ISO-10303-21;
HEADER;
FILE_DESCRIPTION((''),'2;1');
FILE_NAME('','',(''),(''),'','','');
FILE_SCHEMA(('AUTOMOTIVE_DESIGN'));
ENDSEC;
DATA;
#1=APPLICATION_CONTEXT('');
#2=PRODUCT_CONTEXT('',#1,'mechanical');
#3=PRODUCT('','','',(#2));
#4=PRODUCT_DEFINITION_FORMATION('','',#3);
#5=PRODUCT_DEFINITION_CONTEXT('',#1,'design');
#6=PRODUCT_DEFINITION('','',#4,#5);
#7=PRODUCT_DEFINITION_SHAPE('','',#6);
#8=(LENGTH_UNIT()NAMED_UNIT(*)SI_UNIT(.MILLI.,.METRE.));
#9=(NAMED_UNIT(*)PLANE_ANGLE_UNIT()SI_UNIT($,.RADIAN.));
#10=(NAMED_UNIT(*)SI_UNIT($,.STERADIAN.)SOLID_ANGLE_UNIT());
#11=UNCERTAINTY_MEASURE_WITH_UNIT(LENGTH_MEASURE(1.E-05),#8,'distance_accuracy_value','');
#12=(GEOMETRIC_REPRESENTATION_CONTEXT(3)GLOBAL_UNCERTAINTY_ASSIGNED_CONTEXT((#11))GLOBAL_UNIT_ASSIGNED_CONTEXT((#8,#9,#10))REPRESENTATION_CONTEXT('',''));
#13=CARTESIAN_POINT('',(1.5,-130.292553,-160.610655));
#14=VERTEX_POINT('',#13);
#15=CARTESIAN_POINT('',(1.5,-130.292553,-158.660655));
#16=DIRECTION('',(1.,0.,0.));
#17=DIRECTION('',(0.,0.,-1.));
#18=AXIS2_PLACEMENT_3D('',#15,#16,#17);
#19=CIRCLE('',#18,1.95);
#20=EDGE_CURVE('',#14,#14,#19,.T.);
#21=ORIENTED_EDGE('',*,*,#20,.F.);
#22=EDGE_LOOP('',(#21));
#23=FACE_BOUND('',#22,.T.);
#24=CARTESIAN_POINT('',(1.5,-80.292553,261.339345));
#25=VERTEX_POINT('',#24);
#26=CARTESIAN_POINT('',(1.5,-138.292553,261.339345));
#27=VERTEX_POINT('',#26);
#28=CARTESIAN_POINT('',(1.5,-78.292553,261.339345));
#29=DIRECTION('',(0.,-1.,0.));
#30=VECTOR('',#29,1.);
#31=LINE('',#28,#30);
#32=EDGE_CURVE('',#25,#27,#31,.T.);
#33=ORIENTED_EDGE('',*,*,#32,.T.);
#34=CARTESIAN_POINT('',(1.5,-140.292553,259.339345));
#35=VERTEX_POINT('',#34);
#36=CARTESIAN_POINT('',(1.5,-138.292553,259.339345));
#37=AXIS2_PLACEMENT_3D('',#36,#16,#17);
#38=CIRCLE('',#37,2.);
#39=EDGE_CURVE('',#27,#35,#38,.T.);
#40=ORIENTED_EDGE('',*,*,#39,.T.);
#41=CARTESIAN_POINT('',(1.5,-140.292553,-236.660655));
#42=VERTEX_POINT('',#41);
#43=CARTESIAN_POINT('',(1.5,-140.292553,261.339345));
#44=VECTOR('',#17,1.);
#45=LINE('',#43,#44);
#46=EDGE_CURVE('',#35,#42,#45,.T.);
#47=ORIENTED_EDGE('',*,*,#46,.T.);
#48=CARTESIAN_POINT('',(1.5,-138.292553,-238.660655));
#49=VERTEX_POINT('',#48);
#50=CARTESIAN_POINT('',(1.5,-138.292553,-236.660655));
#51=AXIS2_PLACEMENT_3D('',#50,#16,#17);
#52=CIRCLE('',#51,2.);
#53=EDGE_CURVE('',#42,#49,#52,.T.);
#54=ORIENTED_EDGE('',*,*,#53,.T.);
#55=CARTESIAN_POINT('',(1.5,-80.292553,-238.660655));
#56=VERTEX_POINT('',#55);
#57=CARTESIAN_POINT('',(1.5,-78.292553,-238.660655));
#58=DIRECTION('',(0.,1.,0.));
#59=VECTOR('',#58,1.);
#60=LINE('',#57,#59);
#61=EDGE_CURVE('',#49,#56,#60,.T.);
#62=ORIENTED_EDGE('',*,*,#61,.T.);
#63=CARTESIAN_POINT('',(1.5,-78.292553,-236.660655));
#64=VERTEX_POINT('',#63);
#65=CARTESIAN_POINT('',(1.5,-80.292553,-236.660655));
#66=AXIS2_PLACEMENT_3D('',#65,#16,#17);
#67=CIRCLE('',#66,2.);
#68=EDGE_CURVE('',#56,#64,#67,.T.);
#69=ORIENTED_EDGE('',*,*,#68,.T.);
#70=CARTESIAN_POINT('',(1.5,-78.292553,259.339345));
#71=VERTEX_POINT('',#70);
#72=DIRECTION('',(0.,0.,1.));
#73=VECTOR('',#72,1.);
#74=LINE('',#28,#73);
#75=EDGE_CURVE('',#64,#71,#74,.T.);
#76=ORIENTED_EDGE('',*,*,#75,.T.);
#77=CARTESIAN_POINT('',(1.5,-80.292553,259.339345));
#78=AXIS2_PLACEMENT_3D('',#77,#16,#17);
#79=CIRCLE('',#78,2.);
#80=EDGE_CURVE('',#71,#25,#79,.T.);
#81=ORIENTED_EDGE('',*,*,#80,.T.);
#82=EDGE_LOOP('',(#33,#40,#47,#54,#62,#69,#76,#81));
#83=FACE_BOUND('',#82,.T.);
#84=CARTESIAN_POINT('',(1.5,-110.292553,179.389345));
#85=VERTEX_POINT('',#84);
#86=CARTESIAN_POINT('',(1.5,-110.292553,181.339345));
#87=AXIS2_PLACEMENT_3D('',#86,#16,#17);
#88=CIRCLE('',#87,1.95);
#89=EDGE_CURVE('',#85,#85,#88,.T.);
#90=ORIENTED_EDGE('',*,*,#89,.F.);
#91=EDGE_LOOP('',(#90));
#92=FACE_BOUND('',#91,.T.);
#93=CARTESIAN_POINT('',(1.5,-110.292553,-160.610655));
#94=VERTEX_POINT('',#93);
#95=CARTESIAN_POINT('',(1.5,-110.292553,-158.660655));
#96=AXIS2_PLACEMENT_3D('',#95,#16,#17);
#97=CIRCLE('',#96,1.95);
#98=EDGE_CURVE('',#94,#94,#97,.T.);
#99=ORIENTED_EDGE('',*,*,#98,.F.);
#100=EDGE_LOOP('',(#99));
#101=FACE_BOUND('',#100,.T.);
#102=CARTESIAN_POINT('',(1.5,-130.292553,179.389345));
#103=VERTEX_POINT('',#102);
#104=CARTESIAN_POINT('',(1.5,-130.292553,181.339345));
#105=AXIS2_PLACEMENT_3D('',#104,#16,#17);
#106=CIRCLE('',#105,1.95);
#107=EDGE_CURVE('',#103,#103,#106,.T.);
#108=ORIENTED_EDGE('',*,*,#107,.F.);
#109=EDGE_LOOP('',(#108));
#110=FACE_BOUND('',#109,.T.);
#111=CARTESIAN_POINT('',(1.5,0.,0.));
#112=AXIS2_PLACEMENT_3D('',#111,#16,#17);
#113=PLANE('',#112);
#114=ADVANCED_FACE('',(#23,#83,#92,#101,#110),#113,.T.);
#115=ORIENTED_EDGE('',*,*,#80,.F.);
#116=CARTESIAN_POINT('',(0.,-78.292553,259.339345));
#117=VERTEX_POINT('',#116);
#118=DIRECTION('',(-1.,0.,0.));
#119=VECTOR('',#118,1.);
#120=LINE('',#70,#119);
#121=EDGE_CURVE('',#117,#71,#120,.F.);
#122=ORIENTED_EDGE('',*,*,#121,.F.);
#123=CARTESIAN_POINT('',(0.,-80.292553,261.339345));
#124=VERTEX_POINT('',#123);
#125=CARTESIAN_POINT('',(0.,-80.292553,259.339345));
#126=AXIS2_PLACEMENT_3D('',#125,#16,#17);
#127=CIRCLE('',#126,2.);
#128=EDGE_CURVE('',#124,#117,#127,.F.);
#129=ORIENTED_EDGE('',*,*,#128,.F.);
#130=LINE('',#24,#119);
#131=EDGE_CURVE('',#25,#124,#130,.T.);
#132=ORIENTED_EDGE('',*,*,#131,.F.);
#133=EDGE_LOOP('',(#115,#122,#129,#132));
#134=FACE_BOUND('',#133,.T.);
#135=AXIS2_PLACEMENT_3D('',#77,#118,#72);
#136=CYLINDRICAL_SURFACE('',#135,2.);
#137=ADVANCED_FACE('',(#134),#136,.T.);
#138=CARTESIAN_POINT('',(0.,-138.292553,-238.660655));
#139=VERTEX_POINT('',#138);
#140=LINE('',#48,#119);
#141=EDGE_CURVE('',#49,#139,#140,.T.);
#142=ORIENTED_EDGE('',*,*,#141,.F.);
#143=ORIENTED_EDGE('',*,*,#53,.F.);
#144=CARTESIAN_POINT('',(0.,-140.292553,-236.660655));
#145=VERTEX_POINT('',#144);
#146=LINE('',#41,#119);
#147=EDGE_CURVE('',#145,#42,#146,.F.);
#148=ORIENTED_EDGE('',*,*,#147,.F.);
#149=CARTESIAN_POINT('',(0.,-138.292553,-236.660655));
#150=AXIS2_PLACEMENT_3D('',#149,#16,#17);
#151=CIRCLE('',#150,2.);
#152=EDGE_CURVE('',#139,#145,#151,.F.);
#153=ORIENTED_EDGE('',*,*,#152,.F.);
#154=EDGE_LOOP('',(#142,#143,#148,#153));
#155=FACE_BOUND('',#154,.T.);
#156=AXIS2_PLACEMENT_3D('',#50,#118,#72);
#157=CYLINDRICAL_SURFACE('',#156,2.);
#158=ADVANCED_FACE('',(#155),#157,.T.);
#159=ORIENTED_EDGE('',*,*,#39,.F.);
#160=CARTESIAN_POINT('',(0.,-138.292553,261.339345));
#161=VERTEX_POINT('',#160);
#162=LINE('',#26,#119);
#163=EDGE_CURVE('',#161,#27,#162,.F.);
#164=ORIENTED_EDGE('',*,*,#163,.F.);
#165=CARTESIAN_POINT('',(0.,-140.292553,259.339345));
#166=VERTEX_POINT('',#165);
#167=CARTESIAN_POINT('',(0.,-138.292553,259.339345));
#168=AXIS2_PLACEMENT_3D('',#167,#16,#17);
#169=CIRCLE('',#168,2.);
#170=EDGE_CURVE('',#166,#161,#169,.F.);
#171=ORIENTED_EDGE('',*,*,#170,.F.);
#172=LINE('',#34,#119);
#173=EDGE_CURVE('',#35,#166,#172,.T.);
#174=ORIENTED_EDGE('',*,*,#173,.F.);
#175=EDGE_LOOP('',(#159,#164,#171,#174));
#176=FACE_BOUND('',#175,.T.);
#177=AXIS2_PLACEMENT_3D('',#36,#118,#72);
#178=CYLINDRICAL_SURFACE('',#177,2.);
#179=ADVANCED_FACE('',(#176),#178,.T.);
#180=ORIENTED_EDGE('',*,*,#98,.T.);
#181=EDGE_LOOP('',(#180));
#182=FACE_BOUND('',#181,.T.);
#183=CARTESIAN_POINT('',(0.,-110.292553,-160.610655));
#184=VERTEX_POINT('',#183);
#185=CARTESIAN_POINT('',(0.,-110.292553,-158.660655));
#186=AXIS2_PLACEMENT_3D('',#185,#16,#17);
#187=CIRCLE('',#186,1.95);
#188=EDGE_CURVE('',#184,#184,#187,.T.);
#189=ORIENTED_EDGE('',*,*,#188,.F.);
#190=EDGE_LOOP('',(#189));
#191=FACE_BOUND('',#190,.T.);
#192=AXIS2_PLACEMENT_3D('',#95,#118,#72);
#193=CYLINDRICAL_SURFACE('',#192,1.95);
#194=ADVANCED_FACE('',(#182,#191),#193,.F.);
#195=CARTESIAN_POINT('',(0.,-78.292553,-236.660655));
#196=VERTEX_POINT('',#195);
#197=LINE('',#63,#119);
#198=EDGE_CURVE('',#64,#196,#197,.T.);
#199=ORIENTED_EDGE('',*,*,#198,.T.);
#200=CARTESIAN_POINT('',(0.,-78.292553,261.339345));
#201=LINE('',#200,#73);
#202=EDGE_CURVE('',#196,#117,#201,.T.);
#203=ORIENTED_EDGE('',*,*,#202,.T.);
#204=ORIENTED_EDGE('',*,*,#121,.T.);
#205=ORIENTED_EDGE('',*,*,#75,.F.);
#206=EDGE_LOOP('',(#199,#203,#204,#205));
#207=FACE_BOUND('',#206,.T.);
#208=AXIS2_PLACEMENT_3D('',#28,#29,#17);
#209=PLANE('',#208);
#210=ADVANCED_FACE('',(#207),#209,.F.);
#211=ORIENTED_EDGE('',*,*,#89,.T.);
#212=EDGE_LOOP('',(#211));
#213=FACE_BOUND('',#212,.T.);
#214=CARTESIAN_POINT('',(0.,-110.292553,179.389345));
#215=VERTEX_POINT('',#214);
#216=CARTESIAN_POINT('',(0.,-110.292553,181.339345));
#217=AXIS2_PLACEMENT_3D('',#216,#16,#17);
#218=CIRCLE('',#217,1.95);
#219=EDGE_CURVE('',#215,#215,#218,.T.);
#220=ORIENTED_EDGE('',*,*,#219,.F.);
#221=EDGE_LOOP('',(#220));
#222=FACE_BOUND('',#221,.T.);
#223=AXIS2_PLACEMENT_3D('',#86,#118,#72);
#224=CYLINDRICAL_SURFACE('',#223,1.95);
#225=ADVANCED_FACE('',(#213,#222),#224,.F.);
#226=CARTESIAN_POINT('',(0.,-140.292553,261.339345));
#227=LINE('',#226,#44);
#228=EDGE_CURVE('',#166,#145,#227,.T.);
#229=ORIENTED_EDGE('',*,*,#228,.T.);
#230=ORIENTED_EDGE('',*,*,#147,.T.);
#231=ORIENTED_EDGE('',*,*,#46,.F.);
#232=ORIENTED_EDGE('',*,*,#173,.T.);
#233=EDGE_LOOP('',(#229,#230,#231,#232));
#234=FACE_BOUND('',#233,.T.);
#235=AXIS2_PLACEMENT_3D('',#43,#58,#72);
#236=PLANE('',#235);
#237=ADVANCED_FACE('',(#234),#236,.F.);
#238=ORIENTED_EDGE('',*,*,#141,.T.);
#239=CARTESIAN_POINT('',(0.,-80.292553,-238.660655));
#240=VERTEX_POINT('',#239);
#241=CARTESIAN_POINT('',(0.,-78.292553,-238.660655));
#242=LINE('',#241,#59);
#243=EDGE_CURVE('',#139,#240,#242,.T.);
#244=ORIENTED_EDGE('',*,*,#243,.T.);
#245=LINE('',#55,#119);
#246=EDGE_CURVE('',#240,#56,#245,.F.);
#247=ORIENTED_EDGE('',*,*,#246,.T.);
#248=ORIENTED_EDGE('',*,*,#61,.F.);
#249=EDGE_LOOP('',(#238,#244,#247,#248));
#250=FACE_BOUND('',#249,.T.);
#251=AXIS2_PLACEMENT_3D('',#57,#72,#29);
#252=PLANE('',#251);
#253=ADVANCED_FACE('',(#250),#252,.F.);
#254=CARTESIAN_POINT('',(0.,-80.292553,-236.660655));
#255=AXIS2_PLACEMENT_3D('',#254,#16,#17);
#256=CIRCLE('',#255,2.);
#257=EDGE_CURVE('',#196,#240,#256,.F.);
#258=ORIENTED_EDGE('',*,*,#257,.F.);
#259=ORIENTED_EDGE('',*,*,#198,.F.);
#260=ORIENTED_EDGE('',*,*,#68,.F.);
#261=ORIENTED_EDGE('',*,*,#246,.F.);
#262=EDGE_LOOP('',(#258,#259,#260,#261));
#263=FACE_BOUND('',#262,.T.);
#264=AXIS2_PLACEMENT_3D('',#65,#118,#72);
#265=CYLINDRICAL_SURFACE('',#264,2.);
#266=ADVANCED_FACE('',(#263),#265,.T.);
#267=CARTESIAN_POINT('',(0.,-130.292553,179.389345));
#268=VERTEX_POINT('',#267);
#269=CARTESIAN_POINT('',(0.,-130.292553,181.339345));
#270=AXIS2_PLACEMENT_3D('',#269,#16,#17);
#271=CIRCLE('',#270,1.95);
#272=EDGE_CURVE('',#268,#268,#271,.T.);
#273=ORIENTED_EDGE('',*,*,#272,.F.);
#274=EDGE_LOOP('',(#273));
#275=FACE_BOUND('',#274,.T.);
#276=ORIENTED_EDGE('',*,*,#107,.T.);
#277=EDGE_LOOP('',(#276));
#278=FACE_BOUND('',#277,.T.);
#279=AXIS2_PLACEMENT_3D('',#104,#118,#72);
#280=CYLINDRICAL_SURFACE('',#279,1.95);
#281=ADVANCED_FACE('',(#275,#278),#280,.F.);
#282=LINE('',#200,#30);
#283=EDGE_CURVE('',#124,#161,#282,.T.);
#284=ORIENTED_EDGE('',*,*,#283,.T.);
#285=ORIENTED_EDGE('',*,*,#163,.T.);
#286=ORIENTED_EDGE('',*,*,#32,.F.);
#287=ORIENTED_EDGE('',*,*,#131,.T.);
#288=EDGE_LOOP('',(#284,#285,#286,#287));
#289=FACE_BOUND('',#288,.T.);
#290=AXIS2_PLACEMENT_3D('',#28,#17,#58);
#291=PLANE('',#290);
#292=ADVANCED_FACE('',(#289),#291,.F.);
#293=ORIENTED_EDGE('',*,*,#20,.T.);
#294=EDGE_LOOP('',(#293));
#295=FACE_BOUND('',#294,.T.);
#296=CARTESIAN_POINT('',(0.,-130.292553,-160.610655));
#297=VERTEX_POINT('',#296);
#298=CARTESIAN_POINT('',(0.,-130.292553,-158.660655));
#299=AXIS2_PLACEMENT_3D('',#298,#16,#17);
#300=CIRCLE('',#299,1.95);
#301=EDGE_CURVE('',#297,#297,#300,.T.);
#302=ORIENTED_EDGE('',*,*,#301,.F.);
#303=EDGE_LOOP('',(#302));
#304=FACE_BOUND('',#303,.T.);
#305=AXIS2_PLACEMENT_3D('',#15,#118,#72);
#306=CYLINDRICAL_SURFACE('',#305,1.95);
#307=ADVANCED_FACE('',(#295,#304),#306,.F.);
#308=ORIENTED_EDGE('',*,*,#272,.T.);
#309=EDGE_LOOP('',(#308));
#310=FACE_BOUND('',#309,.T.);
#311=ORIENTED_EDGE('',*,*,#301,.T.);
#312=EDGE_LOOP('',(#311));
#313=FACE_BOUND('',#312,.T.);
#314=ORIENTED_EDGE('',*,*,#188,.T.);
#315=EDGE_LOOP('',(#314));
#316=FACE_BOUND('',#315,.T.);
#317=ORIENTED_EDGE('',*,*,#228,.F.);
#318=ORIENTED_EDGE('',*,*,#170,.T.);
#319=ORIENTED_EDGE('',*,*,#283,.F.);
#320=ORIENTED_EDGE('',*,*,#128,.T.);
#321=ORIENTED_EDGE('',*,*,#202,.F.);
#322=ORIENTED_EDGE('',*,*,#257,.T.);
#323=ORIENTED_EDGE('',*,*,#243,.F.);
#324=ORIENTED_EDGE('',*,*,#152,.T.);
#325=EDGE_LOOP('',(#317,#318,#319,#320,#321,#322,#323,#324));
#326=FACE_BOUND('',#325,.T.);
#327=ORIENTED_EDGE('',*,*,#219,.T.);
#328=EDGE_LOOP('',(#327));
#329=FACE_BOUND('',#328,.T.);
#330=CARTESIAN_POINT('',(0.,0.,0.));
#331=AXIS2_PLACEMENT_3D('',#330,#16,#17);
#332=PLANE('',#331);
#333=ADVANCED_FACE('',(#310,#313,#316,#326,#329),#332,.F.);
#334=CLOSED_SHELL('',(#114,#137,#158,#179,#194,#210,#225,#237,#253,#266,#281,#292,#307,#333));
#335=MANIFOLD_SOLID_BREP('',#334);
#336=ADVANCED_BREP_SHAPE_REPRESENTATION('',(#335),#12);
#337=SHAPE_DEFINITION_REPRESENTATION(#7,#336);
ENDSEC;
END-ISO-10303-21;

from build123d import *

# Parameters (mm, degrees)
SKETCH1_W           = 500
SKETCH1_H           = 62
SKETCH1_R           = 1.95
BOSS_EXTRUDE1_DEPTH = 1.5
FILLET1_R           = 2


with BuildPart() as part:
    # Sketch1 → Boss-Extrude1 (new body)
    with BuildSketch(Plane(origin=(0, 0, 0), x_dir=(0, 0, -1), z_dir=(1, 0, 0))):
        with Locations((-11.339345362, -109.292553191)):
            Rectangle(SKETCH1_W, SKETCH1_H)
        with Locations((158.660654638, -110.292553191)):
            Circle(SKETCH1_R, mode=Mode.SUBTRACT)
        with Locations((158.660654638, -130.292553191)):
            Circle(SKETCH1_R, mode=Mode.SUBTRACT)
        with Locations((-181.339345362, -110.292553191)):
            Circle(SKETCH1_R, mode=Mode.SUBTRACT)
        with Locations((-181.339345362, -130.292553191)):
            Circle(SKETCH1_R, mode=Mode.SUBTRACT)
    extrude(amount=BOSS_EXTRUDE1_DEPTH)

    # Fillet1
    fillet1_edges = [part.edges().sort_by_distance(p)[0] for p in [
        (0.75, -78.292553191, 261.339345362),
        (0.75, -78.292553191, -238.660654638),
        (0.75, -140.292553191, -238.660654638),
        (0.75, -140.292553191, 261.339345362),
    ]]
    fillet(fillet1_edges, radius=FILLET1_R)


solid = part.part
